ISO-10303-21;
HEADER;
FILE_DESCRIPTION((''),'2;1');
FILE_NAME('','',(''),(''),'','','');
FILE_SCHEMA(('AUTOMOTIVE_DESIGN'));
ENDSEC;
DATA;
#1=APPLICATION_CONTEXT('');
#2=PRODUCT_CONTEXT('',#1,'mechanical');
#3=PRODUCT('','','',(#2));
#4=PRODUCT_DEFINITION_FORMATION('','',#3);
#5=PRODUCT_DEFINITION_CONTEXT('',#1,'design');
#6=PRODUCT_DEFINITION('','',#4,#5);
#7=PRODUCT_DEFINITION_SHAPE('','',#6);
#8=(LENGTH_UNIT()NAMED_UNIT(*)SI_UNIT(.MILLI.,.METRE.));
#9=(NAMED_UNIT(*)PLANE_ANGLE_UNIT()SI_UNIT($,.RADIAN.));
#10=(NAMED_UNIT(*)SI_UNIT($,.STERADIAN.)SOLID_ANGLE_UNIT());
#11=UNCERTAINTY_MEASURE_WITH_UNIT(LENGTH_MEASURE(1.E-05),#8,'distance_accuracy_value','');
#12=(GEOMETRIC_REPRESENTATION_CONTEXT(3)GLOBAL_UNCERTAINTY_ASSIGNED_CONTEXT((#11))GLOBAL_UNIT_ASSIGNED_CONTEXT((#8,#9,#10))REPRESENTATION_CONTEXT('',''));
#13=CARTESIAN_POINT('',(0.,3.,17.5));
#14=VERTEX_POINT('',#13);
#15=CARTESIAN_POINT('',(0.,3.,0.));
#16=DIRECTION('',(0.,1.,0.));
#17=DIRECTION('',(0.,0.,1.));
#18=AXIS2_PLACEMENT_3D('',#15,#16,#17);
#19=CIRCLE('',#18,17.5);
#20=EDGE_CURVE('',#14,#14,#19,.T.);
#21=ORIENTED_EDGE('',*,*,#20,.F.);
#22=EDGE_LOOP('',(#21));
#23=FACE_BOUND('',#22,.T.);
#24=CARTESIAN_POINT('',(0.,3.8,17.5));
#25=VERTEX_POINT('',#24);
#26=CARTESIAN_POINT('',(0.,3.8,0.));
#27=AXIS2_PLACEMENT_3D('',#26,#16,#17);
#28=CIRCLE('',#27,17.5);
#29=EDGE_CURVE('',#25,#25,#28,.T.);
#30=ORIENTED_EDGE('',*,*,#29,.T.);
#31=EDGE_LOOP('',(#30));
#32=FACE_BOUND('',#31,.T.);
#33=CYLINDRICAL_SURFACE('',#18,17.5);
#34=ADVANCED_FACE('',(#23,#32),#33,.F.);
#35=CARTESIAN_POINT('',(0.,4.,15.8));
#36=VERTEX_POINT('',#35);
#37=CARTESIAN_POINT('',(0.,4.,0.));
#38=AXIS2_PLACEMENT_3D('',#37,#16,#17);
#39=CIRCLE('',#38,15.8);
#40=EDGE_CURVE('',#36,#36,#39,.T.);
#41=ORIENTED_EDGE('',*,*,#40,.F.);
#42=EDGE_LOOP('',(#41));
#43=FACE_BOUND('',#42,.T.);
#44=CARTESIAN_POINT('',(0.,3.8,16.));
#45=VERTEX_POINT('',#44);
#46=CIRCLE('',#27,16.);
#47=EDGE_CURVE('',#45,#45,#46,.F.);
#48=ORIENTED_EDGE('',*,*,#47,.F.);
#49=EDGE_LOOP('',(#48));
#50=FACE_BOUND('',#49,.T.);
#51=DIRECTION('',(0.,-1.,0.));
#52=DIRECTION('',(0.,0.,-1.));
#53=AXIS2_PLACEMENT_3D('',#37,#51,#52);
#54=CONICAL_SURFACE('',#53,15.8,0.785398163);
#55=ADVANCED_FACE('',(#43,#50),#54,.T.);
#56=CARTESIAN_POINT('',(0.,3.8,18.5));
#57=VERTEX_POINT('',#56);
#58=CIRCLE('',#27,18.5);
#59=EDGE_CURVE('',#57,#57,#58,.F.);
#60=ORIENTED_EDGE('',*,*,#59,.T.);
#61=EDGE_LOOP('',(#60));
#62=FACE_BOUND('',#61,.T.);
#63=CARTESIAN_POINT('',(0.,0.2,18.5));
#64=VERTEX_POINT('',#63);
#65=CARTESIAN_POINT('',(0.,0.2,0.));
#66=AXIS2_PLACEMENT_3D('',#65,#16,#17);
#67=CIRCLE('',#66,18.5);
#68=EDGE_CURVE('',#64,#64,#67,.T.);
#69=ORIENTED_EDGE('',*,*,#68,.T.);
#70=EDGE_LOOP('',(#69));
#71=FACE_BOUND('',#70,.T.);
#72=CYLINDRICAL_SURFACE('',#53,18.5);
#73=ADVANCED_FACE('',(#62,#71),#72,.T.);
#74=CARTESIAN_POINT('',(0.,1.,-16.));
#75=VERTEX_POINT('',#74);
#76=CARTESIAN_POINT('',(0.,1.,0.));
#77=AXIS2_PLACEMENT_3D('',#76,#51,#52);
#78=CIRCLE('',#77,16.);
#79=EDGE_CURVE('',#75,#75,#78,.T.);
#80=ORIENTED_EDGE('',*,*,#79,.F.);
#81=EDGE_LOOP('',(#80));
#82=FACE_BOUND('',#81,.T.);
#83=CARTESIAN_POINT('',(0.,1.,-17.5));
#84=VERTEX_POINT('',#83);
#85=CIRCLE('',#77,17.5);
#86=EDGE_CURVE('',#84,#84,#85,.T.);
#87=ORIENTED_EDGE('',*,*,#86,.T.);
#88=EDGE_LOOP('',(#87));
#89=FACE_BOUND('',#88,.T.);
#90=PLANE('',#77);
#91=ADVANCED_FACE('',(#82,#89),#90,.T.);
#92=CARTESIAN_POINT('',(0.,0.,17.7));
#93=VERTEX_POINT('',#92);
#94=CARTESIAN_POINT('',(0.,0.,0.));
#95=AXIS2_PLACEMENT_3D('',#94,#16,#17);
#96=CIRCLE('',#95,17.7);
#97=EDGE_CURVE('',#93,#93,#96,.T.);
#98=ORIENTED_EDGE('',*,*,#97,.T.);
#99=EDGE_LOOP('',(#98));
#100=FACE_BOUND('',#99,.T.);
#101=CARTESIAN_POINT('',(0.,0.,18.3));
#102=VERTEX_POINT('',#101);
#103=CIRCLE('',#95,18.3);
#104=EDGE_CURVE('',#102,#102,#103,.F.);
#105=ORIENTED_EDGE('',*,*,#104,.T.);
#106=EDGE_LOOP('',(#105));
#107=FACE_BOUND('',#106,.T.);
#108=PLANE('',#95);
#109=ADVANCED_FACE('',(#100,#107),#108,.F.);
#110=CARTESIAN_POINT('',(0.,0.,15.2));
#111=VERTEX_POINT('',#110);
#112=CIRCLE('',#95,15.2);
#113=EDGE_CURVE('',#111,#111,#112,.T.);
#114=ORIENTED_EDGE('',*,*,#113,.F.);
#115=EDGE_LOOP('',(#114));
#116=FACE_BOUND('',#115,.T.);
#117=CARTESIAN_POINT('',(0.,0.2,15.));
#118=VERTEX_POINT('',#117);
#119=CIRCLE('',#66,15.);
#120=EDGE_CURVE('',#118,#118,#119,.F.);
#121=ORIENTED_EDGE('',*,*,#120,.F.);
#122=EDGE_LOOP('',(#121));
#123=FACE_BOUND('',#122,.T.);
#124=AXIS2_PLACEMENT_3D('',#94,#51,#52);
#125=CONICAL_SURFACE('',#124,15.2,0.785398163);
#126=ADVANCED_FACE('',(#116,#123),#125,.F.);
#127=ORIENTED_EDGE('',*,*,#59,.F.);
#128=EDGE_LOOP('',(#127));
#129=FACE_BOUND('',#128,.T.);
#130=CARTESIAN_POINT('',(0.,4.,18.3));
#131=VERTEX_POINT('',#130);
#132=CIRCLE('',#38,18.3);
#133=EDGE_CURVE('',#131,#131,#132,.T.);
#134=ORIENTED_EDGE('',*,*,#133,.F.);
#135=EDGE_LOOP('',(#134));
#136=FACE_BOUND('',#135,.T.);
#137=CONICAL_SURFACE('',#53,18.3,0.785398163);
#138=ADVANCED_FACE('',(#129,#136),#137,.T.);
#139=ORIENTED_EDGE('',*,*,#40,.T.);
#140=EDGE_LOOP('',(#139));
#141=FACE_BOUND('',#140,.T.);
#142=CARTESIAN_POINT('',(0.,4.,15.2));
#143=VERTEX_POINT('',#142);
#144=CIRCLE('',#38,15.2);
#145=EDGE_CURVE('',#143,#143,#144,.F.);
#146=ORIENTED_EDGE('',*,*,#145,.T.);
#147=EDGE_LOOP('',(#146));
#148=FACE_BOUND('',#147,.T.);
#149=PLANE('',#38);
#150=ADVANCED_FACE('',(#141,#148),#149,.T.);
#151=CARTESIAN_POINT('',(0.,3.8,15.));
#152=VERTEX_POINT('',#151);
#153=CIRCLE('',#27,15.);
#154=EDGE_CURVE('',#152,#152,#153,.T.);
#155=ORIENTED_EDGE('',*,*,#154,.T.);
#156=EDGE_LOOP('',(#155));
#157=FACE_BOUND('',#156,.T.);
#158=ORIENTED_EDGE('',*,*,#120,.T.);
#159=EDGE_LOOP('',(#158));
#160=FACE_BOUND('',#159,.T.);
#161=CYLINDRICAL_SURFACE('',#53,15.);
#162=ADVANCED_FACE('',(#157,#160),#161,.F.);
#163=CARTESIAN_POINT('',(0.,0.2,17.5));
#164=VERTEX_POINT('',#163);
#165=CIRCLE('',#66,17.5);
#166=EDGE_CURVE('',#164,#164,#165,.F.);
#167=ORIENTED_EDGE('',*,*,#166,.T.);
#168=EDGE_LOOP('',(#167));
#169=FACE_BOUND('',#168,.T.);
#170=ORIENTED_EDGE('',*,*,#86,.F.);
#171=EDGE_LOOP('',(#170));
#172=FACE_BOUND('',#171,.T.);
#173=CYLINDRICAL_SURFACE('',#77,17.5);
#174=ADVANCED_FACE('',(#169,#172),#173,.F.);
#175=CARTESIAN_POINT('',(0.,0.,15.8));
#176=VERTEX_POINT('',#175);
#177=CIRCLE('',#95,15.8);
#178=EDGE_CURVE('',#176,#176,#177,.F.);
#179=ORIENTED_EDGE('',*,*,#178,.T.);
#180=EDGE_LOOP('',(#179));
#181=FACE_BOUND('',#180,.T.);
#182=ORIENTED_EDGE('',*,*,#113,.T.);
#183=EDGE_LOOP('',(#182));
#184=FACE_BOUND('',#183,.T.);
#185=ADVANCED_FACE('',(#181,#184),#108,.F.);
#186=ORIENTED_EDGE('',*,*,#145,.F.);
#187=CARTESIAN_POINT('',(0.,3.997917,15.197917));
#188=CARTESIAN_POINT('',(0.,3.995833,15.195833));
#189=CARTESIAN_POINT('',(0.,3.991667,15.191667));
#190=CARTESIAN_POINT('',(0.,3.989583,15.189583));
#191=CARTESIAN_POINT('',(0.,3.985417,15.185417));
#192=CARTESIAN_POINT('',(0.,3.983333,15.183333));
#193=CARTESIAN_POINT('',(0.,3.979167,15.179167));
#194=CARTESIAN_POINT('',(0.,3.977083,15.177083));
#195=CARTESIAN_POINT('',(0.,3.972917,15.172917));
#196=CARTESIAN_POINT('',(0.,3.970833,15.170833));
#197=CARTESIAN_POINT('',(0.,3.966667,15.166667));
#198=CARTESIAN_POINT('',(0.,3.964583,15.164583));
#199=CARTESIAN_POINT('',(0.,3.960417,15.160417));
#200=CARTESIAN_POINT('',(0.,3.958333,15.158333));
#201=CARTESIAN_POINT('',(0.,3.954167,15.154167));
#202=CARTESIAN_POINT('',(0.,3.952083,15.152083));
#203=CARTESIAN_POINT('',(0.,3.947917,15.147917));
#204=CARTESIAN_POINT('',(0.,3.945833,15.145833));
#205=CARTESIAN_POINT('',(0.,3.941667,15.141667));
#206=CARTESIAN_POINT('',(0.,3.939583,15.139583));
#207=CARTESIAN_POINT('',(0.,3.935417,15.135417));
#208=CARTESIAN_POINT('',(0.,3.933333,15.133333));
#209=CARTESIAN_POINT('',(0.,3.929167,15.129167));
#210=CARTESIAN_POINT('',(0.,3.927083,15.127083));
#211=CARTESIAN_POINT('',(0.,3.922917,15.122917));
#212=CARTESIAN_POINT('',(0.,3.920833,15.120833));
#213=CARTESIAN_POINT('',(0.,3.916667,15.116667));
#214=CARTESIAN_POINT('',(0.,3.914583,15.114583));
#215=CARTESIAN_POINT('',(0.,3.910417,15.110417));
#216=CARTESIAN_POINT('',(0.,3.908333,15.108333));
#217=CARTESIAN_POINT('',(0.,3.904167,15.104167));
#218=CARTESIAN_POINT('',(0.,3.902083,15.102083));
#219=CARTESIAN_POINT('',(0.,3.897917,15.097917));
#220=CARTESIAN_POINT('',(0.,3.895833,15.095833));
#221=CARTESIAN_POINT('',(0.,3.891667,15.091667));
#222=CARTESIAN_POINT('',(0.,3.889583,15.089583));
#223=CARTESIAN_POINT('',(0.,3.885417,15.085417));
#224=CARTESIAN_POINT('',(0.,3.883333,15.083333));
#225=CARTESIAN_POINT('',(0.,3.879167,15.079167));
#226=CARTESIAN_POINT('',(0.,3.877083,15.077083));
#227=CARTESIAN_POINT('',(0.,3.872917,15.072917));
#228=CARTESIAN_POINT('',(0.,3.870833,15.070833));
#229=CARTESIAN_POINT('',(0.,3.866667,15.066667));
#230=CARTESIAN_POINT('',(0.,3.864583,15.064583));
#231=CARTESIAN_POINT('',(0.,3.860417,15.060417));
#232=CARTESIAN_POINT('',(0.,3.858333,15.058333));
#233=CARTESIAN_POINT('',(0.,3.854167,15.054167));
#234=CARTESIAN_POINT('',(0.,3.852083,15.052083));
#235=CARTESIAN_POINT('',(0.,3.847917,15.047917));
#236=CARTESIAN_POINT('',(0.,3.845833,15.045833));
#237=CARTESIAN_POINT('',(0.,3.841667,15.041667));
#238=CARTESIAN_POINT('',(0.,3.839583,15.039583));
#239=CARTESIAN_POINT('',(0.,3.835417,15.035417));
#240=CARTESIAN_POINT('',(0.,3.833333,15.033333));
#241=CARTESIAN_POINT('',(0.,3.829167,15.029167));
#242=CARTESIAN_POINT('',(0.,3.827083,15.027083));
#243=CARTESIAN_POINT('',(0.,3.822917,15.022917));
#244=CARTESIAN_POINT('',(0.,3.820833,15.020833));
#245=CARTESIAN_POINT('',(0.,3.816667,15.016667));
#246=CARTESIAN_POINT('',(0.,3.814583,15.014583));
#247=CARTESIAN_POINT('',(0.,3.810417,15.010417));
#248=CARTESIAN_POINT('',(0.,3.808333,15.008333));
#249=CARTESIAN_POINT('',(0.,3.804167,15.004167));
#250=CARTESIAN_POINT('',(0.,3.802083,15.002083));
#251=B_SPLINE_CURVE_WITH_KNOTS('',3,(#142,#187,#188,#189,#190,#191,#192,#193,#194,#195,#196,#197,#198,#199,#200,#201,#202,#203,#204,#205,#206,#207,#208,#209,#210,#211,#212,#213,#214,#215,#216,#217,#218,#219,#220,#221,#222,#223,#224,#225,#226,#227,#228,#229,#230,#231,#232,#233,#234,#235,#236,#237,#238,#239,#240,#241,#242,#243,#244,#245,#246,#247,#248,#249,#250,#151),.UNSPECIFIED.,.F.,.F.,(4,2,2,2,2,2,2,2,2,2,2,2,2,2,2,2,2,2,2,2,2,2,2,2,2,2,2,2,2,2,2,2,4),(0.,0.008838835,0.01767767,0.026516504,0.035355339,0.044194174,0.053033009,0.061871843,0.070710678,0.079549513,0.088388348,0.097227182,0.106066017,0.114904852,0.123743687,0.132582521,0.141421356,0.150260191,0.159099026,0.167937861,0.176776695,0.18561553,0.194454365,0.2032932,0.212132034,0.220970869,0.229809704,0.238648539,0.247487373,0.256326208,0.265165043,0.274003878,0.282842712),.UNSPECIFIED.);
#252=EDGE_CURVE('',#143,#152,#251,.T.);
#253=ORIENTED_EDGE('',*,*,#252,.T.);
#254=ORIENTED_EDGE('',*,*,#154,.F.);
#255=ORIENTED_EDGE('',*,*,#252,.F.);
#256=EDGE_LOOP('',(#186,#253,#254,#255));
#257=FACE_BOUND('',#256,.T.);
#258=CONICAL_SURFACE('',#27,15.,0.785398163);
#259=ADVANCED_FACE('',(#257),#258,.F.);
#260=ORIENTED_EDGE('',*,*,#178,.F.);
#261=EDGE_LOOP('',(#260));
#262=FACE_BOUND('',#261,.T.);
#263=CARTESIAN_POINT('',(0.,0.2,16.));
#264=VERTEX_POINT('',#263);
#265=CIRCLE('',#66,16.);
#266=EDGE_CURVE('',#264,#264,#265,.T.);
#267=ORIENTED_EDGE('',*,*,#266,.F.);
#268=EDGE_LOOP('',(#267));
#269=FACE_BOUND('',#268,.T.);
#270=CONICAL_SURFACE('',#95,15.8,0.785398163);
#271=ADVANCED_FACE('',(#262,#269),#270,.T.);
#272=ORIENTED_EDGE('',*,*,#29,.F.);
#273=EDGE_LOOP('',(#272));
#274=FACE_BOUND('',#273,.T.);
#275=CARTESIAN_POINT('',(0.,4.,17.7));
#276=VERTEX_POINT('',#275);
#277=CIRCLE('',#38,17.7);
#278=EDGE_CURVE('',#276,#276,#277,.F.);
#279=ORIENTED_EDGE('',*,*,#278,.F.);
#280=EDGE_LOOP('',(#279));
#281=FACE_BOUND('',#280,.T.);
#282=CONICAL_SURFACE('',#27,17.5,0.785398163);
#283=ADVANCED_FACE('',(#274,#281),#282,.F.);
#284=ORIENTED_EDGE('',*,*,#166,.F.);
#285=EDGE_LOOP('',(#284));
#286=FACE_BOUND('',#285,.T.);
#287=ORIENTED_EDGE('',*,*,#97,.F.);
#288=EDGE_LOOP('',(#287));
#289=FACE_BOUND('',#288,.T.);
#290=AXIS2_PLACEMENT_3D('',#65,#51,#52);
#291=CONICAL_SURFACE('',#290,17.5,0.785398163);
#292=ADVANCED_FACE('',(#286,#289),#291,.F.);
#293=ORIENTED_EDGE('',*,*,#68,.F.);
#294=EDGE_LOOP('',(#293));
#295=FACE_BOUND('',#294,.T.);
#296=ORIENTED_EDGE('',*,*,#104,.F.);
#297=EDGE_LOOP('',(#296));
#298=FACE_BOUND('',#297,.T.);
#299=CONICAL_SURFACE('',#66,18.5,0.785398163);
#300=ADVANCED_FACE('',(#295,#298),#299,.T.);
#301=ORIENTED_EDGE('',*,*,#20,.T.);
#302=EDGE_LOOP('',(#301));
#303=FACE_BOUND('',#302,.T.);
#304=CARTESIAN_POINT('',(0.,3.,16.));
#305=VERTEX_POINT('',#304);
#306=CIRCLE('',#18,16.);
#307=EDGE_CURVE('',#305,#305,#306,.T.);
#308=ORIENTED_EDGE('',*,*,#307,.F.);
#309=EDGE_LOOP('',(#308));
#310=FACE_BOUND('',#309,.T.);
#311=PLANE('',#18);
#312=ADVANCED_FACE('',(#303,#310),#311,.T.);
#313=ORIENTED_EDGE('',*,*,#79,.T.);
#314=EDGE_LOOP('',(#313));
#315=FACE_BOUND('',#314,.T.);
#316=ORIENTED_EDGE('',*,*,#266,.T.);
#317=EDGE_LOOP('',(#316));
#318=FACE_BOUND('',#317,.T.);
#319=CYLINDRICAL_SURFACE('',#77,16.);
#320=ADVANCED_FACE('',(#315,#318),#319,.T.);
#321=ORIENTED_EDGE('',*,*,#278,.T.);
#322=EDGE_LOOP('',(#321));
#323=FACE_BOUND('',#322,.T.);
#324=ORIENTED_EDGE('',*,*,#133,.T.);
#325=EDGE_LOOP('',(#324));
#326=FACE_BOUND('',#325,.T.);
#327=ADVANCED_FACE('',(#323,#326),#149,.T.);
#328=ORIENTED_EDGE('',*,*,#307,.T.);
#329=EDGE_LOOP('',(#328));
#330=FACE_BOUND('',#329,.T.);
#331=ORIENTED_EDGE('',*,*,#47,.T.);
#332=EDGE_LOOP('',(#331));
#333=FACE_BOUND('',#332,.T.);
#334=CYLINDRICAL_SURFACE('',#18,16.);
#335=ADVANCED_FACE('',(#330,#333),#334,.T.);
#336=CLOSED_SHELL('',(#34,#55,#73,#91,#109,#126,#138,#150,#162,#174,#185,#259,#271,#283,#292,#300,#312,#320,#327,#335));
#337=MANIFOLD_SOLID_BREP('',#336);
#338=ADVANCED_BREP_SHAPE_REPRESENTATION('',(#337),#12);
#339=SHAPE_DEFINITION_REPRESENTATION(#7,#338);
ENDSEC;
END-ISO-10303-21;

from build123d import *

# Parameters (mm, degrees)
SKETCH1_R           = 18.5
SKETCH1_R_2         = 15
BOSS_EXTRUDE1_DEPTH = 4
SKETCH2_R           = 17.5
SKETCH2_R_2         = 16
CUT_EXTRUDE1_DEPTH  = 1
CUT_EXTRUDE2_START  = -1
SKETCH3_R           = 17.5
SKETCH3_R_2         = 16
CUT_EXTRUDE2_DEPTH  = 1
CHAMFER1_SIZE       = 0.2


with BuildPart() as part:
    # Sketch1 → Boss-Extrude1 (new body)
    with BuildSketch(Plane(origin=(0, 0, 0), x_dir=(1, 0, 0), z_dir=(0, 1, 0))):
        with Locations(Location((0, 0, 0), (0, 0, 270))):
            Circle(SKETCH1_R)
        with Locations(Location((0, 0, 0), (0, 0, 270))):
            Circle(SKETCH1_R_2, mode=Mode.SUBTRACT)
    extrude(amount=BOSS_EXTRUDE1_DEPTH)

    # Sketch2 → Cut-Extrude1 (cut)
    with BuildSketch(Plane(origin=(0, 4, 0), x_dir=(1, 0, 0), z_dir=(0, 1, 0))):
        with Locations(Location((0, 0, 0), (0, 0, 270))):
            Circle(SKETCH2_R)
        with Locations(Location((0, 0, 0), (0, 0, 270))):
            Circle(SKETCH2_R_2, mode=Mode.SUBTRACT)
    extrude(amount=-CUT_EXTRUDE1_DEPTH, mode=Mode.SUBTRACT)

    # Sketch3 → Cut-Extrude2 (cut)
    with BuildSketch(Plane.XZ.offset(CUT_EXTRUDE2_START)):
        with Locations(Location((0, 0, 0), (0, 0, 90))):
            Circle(SKETCH3_R)
        with Locations(Location((0, 0, 0), (0, 0, 90))):
            Circle(SKETCH3_R_2, mode=Mode.SUBTRACT)
    extrude(amount=CUT_EXTRUDE2_DEPTH, mode=Mode.SUBTRACT)

    # Chamfer1
    chamfer1_edges = [part.edges().sort_by_distance(p)[0] for p in [
        (0, 4, -17.5),
        (0, 4, -16),
        (0, 0, -18.5),
        (0, 0, -17.5),
        (0, 0, -16),
        (0, 4, -18.5),
        (0, 0, -15),
        (0, 4, -15),
    ]]
    chamfer(chamfer1_edges, length=CHAMFER1_SIZE)


solid = part.part
